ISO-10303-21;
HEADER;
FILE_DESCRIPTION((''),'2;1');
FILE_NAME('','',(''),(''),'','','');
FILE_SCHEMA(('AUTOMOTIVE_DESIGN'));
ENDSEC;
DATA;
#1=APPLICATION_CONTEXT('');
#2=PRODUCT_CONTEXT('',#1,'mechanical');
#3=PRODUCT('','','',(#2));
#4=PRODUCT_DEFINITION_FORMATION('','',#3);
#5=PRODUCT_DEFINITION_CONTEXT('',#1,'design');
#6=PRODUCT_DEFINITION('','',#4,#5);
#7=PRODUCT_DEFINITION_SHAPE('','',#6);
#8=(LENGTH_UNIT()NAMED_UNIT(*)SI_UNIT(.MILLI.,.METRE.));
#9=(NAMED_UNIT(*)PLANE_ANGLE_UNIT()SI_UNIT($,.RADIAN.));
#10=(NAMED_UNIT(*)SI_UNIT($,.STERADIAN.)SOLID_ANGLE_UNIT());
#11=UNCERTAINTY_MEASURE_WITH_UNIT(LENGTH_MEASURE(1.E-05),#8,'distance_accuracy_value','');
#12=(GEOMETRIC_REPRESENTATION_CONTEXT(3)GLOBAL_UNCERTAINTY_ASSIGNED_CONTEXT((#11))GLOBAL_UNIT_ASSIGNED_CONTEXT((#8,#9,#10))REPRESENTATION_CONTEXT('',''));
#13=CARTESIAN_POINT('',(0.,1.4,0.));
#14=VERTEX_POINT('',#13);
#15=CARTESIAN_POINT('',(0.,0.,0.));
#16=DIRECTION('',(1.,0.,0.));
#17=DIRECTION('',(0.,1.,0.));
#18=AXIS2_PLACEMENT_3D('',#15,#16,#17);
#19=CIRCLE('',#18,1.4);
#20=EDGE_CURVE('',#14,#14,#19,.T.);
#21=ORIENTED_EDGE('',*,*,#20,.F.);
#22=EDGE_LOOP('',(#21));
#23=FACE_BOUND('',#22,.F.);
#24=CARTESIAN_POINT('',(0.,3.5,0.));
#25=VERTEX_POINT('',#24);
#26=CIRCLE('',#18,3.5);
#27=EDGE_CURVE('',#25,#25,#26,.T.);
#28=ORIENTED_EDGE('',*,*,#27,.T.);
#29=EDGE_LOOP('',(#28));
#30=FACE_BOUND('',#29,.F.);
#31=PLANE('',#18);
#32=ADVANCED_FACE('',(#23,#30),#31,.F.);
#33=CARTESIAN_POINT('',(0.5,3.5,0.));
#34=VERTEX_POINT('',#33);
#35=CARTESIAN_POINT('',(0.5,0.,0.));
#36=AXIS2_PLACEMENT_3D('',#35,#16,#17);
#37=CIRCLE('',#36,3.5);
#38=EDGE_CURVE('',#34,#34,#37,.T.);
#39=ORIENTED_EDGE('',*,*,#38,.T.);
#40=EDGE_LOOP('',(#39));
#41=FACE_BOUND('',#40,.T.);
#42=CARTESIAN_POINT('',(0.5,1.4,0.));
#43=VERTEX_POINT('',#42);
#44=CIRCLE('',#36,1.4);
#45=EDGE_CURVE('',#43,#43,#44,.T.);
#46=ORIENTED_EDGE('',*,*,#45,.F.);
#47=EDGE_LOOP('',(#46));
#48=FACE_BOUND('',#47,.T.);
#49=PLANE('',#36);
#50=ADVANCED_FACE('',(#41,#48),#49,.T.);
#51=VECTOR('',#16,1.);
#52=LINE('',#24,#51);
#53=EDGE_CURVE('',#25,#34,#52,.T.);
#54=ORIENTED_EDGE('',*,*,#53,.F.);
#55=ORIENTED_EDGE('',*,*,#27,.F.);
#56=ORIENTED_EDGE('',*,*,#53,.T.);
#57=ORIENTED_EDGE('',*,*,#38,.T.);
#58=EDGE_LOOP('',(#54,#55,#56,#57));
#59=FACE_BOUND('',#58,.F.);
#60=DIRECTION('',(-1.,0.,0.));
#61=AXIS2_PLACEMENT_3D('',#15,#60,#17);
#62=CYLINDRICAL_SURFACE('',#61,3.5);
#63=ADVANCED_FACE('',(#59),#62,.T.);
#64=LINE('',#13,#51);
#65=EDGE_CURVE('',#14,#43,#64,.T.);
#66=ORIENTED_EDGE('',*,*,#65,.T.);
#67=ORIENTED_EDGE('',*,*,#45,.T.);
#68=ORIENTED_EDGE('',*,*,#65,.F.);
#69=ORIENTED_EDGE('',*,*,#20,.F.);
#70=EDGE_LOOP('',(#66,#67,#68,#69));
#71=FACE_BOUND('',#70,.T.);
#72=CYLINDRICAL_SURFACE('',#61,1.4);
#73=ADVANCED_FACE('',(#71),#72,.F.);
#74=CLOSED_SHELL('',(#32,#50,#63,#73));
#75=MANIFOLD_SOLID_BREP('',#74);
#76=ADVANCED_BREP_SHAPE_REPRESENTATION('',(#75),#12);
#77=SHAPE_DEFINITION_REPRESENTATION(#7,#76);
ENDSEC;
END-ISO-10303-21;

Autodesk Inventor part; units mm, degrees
ref_plane "YZ Plane" through (0, 0, 0) normal (1, 0, 0) x (0, 1, 0)
ref_plane "XZ Plane" through (0, 0, 0) normal (0, 1, 0) x (-1, 0, 0)
sketch "Sketch" plane through (0, 0, 0) normal (1, 0, 0) x (0, 1, 0)
  circle A0 centre (0, 0) radius 3.5
  circle A1 centre (0, 0) radius 1.4
  dimension "d0" = 2.8
  dimension "d1" = 7
extrude "Body" add sketch "Sketch" along normal blind 0.5
ref_plane "Work Plane1" through (0, 0, 0) normal (0, 0, 1) x (1, 0, 0)
equation "\"d0\" = SD1"
equation "\"d1\" = SD2"
equation "\"d2\" = SD"
equation "\"SD1\" = 2.8"
equation "\"SD2\" = 7"
equation "\"SD\" = 0.5"
equation "\"NND\" = 2.6"
properties part number "DIN 125 - A 2,8" material "Steel, Mild"
